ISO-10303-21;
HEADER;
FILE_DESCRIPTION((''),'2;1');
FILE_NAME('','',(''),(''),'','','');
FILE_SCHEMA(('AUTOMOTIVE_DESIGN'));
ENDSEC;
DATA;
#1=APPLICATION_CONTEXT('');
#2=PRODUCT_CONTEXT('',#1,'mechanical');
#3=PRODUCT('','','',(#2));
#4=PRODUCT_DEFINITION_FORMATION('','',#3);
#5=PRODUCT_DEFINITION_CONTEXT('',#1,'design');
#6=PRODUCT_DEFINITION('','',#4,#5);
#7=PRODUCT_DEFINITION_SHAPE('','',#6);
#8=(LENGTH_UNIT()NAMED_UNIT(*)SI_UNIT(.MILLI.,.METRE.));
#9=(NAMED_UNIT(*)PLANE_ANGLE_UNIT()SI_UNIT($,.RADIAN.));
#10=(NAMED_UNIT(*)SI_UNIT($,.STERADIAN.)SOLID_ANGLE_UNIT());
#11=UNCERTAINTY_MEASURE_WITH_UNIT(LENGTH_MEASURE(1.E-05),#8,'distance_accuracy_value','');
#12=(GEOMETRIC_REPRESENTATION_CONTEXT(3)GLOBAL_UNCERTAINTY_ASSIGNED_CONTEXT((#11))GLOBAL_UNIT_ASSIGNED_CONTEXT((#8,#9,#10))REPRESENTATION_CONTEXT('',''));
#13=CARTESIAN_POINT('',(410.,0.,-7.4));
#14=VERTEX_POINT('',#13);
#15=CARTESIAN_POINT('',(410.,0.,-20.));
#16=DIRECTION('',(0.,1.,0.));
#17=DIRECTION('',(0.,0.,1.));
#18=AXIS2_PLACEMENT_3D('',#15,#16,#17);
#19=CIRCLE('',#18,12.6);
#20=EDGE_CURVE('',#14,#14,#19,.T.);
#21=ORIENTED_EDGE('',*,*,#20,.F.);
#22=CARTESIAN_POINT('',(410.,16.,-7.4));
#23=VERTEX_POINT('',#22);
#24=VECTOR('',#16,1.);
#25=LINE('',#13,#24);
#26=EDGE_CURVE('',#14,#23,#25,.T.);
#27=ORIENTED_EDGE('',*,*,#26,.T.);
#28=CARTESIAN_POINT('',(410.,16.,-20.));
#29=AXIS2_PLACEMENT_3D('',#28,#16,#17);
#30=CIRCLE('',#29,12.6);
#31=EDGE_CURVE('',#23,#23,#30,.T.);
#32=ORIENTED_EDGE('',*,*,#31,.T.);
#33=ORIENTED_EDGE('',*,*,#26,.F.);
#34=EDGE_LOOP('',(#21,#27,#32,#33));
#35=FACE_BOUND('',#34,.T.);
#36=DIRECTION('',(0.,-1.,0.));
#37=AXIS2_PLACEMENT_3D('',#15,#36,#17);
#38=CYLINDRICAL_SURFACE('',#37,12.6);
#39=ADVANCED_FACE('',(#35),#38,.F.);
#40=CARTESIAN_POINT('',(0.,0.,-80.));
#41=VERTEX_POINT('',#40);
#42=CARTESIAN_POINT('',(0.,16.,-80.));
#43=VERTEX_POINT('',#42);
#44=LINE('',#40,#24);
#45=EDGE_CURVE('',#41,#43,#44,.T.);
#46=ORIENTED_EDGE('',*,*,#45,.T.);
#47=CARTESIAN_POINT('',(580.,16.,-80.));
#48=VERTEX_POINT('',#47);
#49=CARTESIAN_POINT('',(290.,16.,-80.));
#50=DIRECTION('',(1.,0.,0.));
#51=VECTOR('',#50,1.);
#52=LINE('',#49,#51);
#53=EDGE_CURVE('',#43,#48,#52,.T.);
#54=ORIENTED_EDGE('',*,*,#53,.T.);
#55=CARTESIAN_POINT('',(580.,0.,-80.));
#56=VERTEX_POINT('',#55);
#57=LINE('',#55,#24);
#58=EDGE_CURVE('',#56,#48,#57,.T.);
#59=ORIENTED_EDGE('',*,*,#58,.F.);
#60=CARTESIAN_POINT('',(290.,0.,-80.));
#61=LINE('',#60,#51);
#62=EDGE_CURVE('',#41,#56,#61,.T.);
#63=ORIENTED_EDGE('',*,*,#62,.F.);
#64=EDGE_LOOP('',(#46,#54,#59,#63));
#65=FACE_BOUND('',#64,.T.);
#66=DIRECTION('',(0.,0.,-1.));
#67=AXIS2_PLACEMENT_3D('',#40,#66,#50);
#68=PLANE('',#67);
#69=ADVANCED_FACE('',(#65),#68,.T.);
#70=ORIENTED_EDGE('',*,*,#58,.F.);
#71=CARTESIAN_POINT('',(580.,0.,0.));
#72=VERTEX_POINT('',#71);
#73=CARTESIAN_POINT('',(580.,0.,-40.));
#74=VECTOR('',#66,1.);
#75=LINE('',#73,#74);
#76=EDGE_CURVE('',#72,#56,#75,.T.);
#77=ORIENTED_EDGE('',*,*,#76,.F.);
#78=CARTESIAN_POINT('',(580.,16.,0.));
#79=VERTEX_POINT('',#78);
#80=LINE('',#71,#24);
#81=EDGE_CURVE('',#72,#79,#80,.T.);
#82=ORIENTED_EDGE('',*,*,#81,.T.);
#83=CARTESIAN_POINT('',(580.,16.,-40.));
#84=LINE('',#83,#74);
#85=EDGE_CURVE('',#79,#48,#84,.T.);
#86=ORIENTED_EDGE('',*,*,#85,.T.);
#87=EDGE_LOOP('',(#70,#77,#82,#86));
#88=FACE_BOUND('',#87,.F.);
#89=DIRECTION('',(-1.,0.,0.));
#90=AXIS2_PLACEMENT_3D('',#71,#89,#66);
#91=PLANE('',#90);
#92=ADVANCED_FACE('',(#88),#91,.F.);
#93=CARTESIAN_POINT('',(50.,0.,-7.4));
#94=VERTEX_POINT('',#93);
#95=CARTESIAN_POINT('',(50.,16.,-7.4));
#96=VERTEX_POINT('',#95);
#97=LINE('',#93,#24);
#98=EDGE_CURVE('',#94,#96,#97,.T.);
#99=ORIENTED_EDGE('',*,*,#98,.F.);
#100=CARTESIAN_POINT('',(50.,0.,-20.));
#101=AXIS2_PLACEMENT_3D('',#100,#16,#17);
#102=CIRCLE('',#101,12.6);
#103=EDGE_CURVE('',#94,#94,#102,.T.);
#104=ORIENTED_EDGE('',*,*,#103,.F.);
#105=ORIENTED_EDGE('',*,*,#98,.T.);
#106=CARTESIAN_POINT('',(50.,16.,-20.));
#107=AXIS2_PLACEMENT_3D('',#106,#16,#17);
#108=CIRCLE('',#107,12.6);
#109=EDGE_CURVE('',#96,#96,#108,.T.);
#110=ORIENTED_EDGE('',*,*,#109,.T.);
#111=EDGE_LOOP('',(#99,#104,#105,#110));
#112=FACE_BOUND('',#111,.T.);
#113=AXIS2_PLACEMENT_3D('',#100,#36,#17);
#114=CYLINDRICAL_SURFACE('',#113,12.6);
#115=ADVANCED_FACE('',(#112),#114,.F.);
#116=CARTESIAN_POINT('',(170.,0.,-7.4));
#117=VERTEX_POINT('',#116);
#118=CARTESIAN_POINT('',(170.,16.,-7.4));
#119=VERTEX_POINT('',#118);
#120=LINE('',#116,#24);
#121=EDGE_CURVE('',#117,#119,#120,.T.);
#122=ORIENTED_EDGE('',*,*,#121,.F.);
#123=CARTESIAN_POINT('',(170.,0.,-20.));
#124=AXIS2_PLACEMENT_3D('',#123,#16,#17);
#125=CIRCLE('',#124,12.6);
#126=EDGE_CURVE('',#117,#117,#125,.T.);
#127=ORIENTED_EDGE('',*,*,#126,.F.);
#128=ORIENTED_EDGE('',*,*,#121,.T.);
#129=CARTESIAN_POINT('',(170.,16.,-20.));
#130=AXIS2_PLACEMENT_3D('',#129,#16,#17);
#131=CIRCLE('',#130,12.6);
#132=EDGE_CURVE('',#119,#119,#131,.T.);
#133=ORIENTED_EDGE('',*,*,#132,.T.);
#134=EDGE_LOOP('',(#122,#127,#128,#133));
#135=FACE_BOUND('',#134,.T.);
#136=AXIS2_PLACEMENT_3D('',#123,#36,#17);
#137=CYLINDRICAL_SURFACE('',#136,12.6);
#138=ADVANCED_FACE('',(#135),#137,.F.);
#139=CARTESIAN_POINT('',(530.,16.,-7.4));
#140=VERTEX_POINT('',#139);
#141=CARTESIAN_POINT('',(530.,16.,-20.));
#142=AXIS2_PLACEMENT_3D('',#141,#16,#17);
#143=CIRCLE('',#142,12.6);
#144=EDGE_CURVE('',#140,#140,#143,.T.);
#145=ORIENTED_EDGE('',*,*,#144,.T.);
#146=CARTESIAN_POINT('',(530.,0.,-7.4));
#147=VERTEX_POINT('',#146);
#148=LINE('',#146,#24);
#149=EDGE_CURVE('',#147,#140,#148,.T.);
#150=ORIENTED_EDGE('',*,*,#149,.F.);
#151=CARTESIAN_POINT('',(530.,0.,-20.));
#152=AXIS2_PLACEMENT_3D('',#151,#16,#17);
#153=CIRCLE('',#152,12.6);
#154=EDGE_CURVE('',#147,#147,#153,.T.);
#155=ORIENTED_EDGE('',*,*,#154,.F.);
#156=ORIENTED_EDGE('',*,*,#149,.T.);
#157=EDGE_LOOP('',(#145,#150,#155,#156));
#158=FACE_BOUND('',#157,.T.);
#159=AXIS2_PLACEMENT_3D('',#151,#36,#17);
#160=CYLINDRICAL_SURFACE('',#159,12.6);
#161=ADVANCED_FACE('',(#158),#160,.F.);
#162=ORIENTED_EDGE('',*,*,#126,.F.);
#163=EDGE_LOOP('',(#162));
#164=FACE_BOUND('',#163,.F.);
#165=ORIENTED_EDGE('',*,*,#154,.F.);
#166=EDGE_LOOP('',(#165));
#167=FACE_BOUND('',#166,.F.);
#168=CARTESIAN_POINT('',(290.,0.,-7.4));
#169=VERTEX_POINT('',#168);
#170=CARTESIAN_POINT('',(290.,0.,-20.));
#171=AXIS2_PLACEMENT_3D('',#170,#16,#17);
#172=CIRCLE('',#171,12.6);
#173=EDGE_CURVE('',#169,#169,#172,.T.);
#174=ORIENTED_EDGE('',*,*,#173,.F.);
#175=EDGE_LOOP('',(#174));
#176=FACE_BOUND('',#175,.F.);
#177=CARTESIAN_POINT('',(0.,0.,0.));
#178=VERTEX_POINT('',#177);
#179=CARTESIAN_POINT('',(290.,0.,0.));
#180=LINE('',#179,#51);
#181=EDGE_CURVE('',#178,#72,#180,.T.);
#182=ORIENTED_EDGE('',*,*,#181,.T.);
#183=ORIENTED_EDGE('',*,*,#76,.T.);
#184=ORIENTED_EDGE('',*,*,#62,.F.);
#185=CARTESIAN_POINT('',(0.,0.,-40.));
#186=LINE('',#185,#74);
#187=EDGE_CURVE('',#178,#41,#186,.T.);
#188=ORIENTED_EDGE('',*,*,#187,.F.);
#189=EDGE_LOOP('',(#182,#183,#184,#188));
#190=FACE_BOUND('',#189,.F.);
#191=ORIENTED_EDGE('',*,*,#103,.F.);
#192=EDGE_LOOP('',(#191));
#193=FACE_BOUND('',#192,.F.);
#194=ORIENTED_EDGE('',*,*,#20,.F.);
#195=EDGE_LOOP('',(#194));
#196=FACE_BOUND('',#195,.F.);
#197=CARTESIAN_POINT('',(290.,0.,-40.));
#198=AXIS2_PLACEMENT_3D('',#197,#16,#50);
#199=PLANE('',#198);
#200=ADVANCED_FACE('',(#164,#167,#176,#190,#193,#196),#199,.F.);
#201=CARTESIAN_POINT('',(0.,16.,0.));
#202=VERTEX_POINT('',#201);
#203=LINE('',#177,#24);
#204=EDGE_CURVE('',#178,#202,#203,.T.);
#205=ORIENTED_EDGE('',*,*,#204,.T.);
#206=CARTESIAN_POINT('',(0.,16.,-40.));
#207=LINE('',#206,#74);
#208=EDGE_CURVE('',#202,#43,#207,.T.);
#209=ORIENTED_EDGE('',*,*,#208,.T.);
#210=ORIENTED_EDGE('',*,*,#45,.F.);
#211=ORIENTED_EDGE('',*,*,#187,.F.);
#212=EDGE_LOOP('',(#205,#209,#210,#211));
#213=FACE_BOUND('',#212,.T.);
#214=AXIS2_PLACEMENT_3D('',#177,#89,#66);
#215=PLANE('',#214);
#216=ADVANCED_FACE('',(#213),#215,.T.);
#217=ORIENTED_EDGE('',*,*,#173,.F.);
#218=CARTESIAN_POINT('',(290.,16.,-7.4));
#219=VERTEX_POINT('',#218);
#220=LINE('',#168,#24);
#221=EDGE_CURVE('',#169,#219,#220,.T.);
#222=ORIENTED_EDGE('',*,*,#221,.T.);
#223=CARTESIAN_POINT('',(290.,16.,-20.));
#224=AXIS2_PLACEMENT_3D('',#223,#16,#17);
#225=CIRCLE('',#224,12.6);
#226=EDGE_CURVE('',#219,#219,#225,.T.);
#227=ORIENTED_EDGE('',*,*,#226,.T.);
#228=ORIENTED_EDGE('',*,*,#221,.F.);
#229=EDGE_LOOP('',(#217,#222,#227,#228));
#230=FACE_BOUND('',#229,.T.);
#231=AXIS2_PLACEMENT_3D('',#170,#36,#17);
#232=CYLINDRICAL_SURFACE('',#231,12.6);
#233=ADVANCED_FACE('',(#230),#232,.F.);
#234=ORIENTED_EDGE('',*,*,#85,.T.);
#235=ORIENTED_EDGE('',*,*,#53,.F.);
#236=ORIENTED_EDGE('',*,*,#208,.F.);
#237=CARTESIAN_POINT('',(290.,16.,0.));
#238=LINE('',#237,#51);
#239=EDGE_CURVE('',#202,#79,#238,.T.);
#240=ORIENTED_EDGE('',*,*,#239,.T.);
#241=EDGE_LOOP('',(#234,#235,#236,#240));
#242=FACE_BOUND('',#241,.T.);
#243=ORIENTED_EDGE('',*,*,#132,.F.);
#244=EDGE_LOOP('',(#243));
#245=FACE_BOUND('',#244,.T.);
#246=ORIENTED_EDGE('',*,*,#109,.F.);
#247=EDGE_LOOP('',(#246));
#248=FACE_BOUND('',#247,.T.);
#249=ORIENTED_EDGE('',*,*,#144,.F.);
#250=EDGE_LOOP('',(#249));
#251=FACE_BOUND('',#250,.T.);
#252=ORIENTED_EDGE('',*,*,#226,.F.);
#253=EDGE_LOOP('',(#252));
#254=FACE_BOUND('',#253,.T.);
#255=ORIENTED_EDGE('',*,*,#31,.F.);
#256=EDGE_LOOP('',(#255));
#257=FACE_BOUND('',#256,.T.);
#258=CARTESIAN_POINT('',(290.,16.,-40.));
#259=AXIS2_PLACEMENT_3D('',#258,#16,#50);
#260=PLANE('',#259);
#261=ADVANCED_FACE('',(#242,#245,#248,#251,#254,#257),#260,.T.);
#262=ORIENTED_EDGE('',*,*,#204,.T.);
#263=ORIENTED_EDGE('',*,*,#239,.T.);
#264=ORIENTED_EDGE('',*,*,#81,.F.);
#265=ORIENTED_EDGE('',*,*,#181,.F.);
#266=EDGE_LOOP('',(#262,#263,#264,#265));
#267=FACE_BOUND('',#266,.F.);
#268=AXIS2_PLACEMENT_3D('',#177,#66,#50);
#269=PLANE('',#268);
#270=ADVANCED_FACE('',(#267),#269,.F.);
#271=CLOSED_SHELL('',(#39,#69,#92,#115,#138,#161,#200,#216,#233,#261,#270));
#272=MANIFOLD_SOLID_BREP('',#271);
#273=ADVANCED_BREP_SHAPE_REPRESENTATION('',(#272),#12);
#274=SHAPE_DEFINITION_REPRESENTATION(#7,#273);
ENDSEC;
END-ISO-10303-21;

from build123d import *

# Parameters (mm, degrees)
SKETCH1_W           = 580
SKETCH1_H           = 80
SKETCH1_R           = 12.6
BOSS_EXTRUDE1_DEPTH = 16


with BuildPart() as part:
    # Sketch1 → Boss-Extrude1 (new body)
    with BuildSketch(Plane(origin=(0, 0, 0), x_dir=(1, 0, 0), z_dir=(0, 1, 0))):
        with Locations((290, 40)):
            Rectangle(SKETCH1_W, SKETCH1_H)
        with Locations(Location((50, 20, 0), (0, 0, 270))):  # turned: the seam where the file's is
            Circle(SKETCH1_R, mode=Mode.SUBTRACT)
        with Locations(Location((170, 20, 0), (0, 0, 270))):  # turned: the seam where the file's is
            Circle(SKETCH1_R, mode=Mode.SUBTRACT)
        with Locations(Location((290, 20, 0), (0, 0, 270))):  # turned: the seam where the file's is
            Circle(SKETCH1_R, mode=Mode.SUBTRACT)
        with Locations(Location((410, 20, 0), (0, 0, 270))):  # turned: the seam where the file's is
            Circle(SKETCH1_R, mode=Mode.SUBTRACT)
        with Locations(Location((530, 20, 0), (0, 0, 270))):  # turned: the seam where the file's is
            Circle(SKETCH1_R, mode=Mode.SUBTRACT)
    extrude(amount=BOSS_EXTRUDE1_DEPTH)


solid = part.part
